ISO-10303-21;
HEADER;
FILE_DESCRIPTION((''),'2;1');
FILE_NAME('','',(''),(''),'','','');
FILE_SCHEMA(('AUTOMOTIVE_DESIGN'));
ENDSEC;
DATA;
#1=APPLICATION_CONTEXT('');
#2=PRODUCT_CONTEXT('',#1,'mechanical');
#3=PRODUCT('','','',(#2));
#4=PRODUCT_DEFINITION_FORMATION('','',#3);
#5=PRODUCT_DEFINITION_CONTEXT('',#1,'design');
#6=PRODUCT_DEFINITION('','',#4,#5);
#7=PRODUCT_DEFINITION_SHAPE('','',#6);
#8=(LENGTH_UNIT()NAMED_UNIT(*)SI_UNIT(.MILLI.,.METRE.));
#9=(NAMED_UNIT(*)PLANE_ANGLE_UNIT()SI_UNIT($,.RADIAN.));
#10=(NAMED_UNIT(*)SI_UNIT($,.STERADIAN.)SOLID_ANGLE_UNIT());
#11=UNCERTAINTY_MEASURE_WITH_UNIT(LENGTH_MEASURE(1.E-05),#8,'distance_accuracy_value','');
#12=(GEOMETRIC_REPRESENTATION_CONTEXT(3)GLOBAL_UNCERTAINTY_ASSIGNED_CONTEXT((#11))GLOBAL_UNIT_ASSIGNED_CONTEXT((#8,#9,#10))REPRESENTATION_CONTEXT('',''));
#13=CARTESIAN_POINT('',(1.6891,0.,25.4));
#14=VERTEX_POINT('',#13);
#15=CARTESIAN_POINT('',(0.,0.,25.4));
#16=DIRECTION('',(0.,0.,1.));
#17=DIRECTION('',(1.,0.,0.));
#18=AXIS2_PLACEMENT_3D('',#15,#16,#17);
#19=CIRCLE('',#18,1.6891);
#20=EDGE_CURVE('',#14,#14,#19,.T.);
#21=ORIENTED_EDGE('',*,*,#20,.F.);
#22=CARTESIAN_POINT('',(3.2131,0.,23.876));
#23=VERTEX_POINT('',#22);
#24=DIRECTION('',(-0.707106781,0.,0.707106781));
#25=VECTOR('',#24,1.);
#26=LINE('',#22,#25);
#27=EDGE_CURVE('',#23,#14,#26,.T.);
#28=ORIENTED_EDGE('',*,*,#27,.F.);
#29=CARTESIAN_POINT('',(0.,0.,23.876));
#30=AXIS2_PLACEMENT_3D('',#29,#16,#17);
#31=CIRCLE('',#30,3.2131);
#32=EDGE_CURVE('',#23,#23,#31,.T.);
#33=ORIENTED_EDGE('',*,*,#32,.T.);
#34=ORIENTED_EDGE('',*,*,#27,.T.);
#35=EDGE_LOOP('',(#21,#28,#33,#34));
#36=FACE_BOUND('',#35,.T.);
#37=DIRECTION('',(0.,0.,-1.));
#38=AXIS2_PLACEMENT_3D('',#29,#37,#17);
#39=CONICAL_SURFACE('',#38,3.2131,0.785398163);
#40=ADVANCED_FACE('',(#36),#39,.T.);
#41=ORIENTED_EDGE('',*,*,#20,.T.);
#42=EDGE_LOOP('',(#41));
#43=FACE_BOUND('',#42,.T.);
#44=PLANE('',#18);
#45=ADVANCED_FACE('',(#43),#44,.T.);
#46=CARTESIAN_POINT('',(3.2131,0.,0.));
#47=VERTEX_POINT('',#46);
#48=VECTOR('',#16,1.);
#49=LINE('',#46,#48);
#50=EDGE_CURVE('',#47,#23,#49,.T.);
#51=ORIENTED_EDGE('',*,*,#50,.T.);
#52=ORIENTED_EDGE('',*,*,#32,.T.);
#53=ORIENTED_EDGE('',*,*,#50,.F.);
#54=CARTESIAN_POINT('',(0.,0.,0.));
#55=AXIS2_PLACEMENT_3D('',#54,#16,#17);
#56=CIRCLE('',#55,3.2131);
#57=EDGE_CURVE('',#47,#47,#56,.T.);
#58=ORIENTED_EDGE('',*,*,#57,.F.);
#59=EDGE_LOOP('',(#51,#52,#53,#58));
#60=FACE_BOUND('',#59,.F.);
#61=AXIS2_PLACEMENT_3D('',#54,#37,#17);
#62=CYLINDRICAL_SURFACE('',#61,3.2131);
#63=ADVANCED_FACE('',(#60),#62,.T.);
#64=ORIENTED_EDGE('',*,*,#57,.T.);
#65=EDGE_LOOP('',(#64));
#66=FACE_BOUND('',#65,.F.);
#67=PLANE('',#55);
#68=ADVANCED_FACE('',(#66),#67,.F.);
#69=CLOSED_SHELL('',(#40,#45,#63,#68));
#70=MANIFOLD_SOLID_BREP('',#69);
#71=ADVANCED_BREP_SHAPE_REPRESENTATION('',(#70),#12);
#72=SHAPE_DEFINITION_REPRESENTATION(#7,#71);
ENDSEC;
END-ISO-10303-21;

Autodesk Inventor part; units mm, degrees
ref_plane "YZ Plane" through (0, 0, 0) normal (1, 0, 0) x (0, 1, 0)
ref_plane "XZ Plane" through (0, 0, 0) normal (0, 1, 0) x (-1, 0, 0)
ref_plane "XY Plane" through (0, 0, 0) normal (0, 0, 1) x (1, 0, 0)
sketch "Sketch1" plane through (0, 0, 0) normal (0, 0, 1) x (1, 0, 0)
  circle A0 centre (0, 0) radius 3.2131
  dimension "d0" = 6.4262
extrude "Extrusion1" add sketch "Sketch1" along normal blind 25.4
chamfer "Chamfer1" distance 1.524 angle 45 1 edges at (-3.2131, 0, 25.4)
properties part number "Table Pin" material "Stainless Steel"
